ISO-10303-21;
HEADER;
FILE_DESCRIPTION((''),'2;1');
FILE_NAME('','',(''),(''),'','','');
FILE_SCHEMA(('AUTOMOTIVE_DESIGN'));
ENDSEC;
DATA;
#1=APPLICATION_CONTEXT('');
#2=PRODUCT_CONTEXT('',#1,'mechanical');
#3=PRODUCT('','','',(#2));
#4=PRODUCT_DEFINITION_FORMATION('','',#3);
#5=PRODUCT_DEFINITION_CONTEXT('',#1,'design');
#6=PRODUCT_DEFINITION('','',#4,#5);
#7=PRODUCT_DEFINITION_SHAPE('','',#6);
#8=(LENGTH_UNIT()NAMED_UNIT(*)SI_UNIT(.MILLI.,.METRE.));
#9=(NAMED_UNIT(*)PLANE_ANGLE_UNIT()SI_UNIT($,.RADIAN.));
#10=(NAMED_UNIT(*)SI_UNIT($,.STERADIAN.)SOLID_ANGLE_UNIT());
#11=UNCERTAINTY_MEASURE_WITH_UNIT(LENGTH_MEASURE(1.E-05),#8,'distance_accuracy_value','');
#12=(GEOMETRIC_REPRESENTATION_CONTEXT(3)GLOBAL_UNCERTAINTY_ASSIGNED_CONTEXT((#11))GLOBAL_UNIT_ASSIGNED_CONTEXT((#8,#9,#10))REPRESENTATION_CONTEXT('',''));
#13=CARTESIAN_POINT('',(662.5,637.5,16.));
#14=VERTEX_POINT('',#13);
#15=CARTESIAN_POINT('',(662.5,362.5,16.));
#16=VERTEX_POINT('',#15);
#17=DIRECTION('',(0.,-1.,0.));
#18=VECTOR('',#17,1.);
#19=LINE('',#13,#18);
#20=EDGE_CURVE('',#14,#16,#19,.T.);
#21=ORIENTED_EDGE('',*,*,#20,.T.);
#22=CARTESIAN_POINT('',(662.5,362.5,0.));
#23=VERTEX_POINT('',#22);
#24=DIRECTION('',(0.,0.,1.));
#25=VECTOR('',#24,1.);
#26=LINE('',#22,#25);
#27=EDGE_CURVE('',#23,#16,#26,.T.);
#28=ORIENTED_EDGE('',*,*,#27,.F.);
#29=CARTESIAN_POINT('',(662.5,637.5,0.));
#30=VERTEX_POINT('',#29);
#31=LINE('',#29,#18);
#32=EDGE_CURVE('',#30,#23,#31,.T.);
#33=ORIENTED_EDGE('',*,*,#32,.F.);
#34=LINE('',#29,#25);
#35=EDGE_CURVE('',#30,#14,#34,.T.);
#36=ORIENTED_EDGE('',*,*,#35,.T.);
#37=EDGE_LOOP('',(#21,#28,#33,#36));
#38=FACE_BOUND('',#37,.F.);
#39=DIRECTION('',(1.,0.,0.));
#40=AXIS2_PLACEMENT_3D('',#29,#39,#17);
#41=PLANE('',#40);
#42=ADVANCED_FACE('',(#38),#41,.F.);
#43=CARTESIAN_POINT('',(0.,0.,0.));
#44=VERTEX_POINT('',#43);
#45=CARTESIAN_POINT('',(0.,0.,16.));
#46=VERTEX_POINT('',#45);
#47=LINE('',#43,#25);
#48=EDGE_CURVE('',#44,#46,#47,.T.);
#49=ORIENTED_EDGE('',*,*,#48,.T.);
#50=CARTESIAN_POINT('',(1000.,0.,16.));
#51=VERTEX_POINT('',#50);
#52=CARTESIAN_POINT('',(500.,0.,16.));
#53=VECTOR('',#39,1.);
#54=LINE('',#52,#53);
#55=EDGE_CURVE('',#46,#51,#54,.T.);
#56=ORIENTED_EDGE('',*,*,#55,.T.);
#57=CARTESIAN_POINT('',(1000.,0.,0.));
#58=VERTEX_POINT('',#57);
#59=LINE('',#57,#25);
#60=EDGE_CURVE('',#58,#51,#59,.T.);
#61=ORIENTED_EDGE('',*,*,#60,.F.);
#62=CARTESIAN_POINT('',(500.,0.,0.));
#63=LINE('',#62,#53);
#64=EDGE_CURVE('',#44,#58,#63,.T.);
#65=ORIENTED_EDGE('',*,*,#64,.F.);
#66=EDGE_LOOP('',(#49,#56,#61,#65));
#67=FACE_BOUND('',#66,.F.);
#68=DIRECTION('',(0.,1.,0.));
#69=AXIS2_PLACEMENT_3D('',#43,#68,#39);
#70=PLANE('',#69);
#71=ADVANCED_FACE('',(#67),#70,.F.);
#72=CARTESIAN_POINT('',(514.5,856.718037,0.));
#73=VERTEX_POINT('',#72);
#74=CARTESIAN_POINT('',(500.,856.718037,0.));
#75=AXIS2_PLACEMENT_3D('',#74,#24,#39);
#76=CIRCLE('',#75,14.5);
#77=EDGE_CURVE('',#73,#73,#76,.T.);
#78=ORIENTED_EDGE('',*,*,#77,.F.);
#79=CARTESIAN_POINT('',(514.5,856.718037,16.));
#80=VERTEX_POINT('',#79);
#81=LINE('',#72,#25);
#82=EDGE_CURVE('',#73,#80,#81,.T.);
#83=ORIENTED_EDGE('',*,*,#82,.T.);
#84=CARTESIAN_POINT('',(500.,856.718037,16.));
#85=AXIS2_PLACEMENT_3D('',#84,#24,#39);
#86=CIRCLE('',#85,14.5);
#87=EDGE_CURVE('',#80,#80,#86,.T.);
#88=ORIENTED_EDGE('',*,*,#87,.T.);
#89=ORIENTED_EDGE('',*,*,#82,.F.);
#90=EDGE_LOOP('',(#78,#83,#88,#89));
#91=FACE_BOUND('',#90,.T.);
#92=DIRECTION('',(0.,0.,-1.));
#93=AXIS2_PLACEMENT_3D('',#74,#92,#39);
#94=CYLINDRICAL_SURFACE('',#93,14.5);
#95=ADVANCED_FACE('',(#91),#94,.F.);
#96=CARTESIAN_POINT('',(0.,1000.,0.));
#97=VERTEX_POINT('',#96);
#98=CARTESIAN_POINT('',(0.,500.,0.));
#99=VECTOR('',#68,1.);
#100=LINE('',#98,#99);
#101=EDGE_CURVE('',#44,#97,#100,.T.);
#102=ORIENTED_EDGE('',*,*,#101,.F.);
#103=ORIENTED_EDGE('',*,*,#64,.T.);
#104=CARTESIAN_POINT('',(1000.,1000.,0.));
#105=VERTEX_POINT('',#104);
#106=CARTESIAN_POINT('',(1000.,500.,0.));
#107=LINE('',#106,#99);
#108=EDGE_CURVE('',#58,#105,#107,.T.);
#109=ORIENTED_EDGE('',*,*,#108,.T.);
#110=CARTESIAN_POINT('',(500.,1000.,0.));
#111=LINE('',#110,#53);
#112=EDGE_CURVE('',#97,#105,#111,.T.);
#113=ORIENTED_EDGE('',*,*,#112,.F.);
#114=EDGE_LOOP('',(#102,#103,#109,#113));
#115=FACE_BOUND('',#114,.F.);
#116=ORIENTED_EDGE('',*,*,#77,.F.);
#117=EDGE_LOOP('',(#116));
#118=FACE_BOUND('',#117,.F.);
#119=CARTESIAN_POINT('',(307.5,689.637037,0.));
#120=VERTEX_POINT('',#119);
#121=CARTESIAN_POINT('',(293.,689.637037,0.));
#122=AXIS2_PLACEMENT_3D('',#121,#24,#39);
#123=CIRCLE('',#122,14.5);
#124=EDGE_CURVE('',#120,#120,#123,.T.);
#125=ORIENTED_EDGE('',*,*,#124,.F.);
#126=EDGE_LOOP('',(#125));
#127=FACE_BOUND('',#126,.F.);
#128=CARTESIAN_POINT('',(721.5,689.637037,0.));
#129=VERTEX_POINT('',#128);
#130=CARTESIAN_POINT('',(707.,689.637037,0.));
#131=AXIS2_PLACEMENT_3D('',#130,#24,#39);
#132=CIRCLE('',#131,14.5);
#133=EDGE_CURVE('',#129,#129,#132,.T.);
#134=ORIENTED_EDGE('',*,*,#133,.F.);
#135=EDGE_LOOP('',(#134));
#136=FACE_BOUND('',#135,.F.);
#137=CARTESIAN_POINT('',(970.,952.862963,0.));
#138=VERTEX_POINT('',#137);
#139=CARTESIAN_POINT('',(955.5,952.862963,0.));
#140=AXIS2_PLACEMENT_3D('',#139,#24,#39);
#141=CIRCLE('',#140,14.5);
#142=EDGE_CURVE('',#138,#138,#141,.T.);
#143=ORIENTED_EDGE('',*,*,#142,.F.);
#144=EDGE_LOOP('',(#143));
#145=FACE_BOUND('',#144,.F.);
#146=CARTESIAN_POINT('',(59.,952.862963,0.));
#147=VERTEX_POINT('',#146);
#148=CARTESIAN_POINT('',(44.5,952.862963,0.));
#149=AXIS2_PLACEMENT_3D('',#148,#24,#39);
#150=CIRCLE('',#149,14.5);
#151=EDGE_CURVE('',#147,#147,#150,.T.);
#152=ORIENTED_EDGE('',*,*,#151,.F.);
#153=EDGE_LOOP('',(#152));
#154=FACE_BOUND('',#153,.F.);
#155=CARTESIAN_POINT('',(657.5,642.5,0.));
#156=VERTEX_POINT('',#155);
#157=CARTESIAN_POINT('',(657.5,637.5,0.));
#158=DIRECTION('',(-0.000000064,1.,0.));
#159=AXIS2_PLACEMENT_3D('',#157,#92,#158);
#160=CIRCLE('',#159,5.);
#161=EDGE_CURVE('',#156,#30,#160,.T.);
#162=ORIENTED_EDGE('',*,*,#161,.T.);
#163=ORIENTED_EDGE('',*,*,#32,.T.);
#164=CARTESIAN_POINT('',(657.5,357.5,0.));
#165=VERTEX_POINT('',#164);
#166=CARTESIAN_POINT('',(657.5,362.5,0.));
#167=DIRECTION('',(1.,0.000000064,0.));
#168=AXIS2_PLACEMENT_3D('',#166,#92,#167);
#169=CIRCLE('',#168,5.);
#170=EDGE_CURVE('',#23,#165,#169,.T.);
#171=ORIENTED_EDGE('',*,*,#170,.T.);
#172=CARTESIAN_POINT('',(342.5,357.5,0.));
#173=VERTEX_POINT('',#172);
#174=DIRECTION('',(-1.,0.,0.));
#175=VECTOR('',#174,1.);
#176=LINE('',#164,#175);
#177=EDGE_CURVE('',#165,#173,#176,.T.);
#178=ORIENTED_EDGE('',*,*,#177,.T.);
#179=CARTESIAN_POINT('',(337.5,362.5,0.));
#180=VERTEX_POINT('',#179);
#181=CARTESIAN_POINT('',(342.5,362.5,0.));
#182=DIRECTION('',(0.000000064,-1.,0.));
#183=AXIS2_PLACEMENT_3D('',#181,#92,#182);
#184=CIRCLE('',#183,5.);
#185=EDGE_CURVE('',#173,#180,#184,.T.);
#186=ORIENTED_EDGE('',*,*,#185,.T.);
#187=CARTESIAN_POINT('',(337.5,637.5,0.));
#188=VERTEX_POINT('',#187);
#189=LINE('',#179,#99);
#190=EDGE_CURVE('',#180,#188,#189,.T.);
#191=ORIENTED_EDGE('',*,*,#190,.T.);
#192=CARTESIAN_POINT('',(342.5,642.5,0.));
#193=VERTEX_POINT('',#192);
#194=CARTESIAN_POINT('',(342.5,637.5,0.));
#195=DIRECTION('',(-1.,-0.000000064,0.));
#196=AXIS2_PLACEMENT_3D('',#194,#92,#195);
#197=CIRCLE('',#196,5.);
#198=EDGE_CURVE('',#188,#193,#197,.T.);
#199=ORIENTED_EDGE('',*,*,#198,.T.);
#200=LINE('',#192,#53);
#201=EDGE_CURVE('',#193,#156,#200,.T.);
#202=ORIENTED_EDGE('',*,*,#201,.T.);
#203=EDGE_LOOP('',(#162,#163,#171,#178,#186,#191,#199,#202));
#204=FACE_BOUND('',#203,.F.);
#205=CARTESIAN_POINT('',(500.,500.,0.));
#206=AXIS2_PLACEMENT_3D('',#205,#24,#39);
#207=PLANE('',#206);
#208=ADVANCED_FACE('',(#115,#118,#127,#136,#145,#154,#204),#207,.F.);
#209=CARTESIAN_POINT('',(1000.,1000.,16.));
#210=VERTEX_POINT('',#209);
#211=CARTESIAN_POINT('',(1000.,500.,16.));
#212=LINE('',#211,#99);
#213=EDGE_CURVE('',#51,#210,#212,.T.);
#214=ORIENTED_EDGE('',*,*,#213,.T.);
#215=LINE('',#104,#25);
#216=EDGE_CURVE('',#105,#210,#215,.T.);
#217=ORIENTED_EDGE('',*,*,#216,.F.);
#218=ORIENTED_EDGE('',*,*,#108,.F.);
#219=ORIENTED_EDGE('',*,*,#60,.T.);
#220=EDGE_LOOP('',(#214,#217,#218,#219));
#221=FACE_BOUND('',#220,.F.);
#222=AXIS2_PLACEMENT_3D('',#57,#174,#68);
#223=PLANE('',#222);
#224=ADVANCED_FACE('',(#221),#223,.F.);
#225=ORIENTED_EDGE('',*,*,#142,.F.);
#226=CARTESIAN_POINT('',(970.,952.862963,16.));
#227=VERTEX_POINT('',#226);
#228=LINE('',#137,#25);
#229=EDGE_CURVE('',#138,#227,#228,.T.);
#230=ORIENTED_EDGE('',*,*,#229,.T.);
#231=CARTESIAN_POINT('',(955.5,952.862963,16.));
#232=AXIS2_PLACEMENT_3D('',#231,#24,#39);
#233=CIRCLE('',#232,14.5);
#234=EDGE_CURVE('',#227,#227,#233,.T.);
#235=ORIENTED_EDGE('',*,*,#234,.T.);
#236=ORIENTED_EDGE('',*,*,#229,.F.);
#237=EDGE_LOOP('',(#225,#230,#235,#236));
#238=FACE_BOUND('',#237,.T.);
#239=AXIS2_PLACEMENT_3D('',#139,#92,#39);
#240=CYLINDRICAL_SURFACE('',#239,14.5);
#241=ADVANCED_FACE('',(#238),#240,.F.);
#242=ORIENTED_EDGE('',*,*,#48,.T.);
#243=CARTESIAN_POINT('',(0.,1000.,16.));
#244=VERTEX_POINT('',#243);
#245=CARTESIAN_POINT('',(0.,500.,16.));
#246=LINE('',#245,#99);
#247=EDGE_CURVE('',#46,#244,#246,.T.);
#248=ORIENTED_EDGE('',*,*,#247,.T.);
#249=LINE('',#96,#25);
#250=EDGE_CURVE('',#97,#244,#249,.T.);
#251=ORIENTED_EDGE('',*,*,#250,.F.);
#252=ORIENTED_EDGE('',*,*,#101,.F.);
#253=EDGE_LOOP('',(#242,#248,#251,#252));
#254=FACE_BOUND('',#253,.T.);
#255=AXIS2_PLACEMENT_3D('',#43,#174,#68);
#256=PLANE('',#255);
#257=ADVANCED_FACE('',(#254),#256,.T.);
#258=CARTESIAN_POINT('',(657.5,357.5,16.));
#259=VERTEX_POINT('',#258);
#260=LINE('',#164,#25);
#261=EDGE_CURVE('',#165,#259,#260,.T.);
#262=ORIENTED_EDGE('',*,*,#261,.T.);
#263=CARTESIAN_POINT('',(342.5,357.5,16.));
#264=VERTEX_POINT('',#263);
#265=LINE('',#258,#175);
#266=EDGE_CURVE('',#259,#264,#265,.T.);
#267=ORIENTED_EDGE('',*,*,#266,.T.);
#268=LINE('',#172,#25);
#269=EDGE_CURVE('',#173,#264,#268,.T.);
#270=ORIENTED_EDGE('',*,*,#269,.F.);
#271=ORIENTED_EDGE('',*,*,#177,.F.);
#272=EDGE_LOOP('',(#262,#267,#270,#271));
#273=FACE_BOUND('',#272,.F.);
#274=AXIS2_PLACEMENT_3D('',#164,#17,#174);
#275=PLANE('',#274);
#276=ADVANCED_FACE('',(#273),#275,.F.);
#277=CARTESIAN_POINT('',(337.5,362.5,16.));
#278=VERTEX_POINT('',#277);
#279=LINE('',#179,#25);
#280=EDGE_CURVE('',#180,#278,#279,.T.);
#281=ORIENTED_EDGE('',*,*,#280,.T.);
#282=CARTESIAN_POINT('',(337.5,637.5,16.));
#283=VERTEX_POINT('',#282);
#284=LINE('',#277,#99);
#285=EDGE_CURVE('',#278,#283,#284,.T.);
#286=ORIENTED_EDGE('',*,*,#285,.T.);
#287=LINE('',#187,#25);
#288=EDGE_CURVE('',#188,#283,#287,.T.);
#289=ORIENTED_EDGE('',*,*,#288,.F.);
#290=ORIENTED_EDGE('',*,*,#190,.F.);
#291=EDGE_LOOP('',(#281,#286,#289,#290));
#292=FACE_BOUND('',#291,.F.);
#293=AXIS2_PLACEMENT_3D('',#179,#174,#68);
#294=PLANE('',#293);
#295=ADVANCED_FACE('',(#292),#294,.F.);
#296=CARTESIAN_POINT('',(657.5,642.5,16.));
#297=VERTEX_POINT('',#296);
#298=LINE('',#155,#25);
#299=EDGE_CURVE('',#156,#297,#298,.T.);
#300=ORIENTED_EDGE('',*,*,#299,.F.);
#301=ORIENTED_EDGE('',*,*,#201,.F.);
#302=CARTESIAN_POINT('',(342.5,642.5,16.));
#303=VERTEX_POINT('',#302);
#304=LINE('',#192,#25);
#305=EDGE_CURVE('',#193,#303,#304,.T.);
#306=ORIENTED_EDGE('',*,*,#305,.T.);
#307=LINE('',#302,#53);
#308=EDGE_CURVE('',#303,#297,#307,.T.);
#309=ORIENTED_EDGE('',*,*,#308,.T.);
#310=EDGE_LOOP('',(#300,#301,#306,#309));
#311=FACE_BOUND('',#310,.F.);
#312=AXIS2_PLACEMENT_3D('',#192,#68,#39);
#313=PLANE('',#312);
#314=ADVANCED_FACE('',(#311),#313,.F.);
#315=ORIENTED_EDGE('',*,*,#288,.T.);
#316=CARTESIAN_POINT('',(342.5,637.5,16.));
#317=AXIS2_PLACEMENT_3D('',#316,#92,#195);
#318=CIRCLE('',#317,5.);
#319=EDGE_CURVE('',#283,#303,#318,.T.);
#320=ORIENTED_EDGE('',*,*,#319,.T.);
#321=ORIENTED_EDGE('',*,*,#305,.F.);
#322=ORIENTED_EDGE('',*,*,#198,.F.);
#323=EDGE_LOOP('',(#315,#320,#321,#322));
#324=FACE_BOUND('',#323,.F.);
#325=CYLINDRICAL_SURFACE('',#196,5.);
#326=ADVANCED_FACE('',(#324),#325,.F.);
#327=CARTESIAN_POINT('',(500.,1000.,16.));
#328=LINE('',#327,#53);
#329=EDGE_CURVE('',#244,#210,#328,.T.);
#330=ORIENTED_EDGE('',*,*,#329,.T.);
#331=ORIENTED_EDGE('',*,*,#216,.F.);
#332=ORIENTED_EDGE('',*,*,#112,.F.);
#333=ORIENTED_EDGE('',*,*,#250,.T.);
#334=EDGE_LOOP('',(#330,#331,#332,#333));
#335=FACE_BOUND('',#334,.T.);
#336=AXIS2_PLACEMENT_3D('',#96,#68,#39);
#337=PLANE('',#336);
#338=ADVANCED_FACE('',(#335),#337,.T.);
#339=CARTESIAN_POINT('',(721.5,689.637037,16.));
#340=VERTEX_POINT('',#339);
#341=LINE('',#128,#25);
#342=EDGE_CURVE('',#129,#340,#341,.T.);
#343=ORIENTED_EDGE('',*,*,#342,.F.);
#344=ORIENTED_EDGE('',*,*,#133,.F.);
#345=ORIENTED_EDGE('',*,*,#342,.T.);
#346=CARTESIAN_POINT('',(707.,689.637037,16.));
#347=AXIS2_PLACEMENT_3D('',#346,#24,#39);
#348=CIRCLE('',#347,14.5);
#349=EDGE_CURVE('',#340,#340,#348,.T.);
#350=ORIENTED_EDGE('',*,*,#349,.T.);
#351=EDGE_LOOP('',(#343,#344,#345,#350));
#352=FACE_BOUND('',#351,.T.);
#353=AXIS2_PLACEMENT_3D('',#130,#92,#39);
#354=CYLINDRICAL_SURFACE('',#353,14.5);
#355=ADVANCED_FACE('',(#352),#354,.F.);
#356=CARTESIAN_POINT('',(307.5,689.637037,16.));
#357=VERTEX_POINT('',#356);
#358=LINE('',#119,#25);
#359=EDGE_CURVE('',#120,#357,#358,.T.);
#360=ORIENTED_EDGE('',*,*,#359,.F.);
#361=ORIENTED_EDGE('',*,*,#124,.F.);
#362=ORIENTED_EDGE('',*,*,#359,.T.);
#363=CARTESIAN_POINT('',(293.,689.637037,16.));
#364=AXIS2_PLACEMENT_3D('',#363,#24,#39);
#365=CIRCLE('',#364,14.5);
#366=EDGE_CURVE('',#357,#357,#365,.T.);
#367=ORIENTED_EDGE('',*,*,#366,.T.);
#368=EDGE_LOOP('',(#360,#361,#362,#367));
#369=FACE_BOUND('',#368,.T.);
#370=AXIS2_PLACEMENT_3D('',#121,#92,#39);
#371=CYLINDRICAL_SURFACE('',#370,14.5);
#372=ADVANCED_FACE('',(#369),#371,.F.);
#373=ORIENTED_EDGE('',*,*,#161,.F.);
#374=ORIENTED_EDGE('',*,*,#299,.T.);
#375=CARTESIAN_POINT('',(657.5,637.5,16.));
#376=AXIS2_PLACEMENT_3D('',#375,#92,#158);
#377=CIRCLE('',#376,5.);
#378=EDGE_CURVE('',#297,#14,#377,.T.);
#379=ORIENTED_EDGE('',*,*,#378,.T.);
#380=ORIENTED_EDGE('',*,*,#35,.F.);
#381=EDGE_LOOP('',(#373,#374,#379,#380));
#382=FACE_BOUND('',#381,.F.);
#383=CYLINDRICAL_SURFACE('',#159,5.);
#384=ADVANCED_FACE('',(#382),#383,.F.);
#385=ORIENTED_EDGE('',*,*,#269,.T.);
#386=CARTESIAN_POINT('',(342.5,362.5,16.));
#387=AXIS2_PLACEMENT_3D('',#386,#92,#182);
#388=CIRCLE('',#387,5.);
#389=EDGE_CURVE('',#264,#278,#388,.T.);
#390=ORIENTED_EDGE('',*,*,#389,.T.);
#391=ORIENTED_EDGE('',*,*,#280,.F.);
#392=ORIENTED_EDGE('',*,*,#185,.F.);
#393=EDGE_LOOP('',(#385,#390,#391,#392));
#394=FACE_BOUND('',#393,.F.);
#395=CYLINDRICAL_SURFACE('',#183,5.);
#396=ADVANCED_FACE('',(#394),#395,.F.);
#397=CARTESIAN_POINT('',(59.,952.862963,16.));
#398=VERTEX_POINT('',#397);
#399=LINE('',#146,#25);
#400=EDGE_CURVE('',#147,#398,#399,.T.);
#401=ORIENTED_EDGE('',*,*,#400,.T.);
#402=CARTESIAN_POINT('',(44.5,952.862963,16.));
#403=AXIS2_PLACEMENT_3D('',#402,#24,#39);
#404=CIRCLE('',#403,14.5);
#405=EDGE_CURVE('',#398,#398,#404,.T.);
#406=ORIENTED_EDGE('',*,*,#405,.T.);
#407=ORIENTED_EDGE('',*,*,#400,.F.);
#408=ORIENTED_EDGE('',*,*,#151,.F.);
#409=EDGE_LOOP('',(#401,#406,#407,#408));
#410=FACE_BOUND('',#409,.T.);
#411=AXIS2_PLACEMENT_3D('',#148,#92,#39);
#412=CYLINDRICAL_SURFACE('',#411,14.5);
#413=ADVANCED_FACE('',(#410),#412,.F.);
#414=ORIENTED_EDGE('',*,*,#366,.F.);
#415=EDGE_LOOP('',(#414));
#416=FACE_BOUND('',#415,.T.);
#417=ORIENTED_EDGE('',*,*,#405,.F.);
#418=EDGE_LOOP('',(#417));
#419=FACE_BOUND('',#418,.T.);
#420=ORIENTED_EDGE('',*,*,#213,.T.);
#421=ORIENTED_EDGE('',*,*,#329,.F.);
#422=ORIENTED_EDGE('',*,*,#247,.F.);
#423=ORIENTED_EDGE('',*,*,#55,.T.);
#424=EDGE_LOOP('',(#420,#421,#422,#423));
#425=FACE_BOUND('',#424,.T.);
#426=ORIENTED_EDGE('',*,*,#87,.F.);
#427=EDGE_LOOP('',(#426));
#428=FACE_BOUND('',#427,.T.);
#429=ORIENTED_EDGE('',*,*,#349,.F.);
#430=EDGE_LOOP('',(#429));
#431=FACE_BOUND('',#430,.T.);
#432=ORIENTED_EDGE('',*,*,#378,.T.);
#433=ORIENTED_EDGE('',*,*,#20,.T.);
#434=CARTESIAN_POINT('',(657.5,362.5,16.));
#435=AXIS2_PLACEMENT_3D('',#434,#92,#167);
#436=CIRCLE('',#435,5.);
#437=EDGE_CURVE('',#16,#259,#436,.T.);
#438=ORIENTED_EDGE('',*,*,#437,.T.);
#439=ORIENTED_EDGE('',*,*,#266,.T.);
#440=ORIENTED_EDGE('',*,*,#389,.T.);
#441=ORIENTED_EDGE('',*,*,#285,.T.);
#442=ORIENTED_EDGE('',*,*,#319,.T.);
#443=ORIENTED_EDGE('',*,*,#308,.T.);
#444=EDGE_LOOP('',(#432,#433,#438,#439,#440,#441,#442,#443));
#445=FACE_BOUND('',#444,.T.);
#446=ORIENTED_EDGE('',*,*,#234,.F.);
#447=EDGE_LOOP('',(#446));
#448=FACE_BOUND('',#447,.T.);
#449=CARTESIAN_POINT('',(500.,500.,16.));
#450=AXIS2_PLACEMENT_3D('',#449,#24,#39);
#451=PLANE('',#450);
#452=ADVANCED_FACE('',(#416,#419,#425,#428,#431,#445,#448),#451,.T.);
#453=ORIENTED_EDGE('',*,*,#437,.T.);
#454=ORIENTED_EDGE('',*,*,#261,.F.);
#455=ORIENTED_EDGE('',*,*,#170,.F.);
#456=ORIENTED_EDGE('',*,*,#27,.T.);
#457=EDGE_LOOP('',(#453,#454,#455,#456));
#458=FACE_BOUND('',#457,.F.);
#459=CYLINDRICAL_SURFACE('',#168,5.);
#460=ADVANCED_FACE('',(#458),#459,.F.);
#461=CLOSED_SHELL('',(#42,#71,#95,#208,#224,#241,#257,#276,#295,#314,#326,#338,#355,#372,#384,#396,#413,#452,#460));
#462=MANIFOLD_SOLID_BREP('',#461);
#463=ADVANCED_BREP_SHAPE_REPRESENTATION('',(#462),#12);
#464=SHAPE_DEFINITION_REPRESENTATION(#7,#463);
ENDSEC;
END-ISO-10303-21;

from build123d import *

# Parameters (mm, degrees)
F0_W     = 1000
F0_H     = 1000
F0_R     = 14.5
F1_DEPTH = 16


with BuildPart() as f1:
    # F0 (on Top) → F1 (new body)
    with BuildSketch(Plane.XY):
        with Locations((500, 500)):
            Rectangle(F0_W, F0_H)
        with Locations((293, 689.637037)):
            Circle(F0_R, mode=Mode.SUBTRACT)
        with Locations((44.5, 952.862963)):
            Circle(F0_R, mode=Mode.SUBTRACT)
        with BuildLine():
            Line((342.5, 642.5), (657.5, 642.5))
            ThreePointArc((657.5, 642.5), (661.035534, 641.035534), (662.5, 637.5))
            Line((662.5, 637.5), (662.5, 362.5))
            ThreePointArc((662.5, 362.5), (661.035534, 358.964466), (657.5, 357.5))
            Line((657.5, 357.5), (342.5, 357.5))
            ThreePointArc((342.5, 357.5), (338.964466, 358.964466), (337.5, 362.5))
            Line((337.5, 362.5), (337.5, 637.5))
            ThreePointArc((337.5, 637.5), (338.964466, 641.035534), (342.5, 642.5))
        make_face(mode=Mode.SUBTRACT)
        with Locations((707, 689.637037)):
            Circle(F0_R, mode=Mode.SUBTRACT)
        with Locations((500, 856.718037)):
            Circle(F0_R, mode=Mode.SUBTRACT)
        with Locations((955.5, 952.862963)):
            Circle(F0_R, mode=Mode.SUBTRACT)
    extrude(amount=F1_DEPTH)


solid = f1.part
